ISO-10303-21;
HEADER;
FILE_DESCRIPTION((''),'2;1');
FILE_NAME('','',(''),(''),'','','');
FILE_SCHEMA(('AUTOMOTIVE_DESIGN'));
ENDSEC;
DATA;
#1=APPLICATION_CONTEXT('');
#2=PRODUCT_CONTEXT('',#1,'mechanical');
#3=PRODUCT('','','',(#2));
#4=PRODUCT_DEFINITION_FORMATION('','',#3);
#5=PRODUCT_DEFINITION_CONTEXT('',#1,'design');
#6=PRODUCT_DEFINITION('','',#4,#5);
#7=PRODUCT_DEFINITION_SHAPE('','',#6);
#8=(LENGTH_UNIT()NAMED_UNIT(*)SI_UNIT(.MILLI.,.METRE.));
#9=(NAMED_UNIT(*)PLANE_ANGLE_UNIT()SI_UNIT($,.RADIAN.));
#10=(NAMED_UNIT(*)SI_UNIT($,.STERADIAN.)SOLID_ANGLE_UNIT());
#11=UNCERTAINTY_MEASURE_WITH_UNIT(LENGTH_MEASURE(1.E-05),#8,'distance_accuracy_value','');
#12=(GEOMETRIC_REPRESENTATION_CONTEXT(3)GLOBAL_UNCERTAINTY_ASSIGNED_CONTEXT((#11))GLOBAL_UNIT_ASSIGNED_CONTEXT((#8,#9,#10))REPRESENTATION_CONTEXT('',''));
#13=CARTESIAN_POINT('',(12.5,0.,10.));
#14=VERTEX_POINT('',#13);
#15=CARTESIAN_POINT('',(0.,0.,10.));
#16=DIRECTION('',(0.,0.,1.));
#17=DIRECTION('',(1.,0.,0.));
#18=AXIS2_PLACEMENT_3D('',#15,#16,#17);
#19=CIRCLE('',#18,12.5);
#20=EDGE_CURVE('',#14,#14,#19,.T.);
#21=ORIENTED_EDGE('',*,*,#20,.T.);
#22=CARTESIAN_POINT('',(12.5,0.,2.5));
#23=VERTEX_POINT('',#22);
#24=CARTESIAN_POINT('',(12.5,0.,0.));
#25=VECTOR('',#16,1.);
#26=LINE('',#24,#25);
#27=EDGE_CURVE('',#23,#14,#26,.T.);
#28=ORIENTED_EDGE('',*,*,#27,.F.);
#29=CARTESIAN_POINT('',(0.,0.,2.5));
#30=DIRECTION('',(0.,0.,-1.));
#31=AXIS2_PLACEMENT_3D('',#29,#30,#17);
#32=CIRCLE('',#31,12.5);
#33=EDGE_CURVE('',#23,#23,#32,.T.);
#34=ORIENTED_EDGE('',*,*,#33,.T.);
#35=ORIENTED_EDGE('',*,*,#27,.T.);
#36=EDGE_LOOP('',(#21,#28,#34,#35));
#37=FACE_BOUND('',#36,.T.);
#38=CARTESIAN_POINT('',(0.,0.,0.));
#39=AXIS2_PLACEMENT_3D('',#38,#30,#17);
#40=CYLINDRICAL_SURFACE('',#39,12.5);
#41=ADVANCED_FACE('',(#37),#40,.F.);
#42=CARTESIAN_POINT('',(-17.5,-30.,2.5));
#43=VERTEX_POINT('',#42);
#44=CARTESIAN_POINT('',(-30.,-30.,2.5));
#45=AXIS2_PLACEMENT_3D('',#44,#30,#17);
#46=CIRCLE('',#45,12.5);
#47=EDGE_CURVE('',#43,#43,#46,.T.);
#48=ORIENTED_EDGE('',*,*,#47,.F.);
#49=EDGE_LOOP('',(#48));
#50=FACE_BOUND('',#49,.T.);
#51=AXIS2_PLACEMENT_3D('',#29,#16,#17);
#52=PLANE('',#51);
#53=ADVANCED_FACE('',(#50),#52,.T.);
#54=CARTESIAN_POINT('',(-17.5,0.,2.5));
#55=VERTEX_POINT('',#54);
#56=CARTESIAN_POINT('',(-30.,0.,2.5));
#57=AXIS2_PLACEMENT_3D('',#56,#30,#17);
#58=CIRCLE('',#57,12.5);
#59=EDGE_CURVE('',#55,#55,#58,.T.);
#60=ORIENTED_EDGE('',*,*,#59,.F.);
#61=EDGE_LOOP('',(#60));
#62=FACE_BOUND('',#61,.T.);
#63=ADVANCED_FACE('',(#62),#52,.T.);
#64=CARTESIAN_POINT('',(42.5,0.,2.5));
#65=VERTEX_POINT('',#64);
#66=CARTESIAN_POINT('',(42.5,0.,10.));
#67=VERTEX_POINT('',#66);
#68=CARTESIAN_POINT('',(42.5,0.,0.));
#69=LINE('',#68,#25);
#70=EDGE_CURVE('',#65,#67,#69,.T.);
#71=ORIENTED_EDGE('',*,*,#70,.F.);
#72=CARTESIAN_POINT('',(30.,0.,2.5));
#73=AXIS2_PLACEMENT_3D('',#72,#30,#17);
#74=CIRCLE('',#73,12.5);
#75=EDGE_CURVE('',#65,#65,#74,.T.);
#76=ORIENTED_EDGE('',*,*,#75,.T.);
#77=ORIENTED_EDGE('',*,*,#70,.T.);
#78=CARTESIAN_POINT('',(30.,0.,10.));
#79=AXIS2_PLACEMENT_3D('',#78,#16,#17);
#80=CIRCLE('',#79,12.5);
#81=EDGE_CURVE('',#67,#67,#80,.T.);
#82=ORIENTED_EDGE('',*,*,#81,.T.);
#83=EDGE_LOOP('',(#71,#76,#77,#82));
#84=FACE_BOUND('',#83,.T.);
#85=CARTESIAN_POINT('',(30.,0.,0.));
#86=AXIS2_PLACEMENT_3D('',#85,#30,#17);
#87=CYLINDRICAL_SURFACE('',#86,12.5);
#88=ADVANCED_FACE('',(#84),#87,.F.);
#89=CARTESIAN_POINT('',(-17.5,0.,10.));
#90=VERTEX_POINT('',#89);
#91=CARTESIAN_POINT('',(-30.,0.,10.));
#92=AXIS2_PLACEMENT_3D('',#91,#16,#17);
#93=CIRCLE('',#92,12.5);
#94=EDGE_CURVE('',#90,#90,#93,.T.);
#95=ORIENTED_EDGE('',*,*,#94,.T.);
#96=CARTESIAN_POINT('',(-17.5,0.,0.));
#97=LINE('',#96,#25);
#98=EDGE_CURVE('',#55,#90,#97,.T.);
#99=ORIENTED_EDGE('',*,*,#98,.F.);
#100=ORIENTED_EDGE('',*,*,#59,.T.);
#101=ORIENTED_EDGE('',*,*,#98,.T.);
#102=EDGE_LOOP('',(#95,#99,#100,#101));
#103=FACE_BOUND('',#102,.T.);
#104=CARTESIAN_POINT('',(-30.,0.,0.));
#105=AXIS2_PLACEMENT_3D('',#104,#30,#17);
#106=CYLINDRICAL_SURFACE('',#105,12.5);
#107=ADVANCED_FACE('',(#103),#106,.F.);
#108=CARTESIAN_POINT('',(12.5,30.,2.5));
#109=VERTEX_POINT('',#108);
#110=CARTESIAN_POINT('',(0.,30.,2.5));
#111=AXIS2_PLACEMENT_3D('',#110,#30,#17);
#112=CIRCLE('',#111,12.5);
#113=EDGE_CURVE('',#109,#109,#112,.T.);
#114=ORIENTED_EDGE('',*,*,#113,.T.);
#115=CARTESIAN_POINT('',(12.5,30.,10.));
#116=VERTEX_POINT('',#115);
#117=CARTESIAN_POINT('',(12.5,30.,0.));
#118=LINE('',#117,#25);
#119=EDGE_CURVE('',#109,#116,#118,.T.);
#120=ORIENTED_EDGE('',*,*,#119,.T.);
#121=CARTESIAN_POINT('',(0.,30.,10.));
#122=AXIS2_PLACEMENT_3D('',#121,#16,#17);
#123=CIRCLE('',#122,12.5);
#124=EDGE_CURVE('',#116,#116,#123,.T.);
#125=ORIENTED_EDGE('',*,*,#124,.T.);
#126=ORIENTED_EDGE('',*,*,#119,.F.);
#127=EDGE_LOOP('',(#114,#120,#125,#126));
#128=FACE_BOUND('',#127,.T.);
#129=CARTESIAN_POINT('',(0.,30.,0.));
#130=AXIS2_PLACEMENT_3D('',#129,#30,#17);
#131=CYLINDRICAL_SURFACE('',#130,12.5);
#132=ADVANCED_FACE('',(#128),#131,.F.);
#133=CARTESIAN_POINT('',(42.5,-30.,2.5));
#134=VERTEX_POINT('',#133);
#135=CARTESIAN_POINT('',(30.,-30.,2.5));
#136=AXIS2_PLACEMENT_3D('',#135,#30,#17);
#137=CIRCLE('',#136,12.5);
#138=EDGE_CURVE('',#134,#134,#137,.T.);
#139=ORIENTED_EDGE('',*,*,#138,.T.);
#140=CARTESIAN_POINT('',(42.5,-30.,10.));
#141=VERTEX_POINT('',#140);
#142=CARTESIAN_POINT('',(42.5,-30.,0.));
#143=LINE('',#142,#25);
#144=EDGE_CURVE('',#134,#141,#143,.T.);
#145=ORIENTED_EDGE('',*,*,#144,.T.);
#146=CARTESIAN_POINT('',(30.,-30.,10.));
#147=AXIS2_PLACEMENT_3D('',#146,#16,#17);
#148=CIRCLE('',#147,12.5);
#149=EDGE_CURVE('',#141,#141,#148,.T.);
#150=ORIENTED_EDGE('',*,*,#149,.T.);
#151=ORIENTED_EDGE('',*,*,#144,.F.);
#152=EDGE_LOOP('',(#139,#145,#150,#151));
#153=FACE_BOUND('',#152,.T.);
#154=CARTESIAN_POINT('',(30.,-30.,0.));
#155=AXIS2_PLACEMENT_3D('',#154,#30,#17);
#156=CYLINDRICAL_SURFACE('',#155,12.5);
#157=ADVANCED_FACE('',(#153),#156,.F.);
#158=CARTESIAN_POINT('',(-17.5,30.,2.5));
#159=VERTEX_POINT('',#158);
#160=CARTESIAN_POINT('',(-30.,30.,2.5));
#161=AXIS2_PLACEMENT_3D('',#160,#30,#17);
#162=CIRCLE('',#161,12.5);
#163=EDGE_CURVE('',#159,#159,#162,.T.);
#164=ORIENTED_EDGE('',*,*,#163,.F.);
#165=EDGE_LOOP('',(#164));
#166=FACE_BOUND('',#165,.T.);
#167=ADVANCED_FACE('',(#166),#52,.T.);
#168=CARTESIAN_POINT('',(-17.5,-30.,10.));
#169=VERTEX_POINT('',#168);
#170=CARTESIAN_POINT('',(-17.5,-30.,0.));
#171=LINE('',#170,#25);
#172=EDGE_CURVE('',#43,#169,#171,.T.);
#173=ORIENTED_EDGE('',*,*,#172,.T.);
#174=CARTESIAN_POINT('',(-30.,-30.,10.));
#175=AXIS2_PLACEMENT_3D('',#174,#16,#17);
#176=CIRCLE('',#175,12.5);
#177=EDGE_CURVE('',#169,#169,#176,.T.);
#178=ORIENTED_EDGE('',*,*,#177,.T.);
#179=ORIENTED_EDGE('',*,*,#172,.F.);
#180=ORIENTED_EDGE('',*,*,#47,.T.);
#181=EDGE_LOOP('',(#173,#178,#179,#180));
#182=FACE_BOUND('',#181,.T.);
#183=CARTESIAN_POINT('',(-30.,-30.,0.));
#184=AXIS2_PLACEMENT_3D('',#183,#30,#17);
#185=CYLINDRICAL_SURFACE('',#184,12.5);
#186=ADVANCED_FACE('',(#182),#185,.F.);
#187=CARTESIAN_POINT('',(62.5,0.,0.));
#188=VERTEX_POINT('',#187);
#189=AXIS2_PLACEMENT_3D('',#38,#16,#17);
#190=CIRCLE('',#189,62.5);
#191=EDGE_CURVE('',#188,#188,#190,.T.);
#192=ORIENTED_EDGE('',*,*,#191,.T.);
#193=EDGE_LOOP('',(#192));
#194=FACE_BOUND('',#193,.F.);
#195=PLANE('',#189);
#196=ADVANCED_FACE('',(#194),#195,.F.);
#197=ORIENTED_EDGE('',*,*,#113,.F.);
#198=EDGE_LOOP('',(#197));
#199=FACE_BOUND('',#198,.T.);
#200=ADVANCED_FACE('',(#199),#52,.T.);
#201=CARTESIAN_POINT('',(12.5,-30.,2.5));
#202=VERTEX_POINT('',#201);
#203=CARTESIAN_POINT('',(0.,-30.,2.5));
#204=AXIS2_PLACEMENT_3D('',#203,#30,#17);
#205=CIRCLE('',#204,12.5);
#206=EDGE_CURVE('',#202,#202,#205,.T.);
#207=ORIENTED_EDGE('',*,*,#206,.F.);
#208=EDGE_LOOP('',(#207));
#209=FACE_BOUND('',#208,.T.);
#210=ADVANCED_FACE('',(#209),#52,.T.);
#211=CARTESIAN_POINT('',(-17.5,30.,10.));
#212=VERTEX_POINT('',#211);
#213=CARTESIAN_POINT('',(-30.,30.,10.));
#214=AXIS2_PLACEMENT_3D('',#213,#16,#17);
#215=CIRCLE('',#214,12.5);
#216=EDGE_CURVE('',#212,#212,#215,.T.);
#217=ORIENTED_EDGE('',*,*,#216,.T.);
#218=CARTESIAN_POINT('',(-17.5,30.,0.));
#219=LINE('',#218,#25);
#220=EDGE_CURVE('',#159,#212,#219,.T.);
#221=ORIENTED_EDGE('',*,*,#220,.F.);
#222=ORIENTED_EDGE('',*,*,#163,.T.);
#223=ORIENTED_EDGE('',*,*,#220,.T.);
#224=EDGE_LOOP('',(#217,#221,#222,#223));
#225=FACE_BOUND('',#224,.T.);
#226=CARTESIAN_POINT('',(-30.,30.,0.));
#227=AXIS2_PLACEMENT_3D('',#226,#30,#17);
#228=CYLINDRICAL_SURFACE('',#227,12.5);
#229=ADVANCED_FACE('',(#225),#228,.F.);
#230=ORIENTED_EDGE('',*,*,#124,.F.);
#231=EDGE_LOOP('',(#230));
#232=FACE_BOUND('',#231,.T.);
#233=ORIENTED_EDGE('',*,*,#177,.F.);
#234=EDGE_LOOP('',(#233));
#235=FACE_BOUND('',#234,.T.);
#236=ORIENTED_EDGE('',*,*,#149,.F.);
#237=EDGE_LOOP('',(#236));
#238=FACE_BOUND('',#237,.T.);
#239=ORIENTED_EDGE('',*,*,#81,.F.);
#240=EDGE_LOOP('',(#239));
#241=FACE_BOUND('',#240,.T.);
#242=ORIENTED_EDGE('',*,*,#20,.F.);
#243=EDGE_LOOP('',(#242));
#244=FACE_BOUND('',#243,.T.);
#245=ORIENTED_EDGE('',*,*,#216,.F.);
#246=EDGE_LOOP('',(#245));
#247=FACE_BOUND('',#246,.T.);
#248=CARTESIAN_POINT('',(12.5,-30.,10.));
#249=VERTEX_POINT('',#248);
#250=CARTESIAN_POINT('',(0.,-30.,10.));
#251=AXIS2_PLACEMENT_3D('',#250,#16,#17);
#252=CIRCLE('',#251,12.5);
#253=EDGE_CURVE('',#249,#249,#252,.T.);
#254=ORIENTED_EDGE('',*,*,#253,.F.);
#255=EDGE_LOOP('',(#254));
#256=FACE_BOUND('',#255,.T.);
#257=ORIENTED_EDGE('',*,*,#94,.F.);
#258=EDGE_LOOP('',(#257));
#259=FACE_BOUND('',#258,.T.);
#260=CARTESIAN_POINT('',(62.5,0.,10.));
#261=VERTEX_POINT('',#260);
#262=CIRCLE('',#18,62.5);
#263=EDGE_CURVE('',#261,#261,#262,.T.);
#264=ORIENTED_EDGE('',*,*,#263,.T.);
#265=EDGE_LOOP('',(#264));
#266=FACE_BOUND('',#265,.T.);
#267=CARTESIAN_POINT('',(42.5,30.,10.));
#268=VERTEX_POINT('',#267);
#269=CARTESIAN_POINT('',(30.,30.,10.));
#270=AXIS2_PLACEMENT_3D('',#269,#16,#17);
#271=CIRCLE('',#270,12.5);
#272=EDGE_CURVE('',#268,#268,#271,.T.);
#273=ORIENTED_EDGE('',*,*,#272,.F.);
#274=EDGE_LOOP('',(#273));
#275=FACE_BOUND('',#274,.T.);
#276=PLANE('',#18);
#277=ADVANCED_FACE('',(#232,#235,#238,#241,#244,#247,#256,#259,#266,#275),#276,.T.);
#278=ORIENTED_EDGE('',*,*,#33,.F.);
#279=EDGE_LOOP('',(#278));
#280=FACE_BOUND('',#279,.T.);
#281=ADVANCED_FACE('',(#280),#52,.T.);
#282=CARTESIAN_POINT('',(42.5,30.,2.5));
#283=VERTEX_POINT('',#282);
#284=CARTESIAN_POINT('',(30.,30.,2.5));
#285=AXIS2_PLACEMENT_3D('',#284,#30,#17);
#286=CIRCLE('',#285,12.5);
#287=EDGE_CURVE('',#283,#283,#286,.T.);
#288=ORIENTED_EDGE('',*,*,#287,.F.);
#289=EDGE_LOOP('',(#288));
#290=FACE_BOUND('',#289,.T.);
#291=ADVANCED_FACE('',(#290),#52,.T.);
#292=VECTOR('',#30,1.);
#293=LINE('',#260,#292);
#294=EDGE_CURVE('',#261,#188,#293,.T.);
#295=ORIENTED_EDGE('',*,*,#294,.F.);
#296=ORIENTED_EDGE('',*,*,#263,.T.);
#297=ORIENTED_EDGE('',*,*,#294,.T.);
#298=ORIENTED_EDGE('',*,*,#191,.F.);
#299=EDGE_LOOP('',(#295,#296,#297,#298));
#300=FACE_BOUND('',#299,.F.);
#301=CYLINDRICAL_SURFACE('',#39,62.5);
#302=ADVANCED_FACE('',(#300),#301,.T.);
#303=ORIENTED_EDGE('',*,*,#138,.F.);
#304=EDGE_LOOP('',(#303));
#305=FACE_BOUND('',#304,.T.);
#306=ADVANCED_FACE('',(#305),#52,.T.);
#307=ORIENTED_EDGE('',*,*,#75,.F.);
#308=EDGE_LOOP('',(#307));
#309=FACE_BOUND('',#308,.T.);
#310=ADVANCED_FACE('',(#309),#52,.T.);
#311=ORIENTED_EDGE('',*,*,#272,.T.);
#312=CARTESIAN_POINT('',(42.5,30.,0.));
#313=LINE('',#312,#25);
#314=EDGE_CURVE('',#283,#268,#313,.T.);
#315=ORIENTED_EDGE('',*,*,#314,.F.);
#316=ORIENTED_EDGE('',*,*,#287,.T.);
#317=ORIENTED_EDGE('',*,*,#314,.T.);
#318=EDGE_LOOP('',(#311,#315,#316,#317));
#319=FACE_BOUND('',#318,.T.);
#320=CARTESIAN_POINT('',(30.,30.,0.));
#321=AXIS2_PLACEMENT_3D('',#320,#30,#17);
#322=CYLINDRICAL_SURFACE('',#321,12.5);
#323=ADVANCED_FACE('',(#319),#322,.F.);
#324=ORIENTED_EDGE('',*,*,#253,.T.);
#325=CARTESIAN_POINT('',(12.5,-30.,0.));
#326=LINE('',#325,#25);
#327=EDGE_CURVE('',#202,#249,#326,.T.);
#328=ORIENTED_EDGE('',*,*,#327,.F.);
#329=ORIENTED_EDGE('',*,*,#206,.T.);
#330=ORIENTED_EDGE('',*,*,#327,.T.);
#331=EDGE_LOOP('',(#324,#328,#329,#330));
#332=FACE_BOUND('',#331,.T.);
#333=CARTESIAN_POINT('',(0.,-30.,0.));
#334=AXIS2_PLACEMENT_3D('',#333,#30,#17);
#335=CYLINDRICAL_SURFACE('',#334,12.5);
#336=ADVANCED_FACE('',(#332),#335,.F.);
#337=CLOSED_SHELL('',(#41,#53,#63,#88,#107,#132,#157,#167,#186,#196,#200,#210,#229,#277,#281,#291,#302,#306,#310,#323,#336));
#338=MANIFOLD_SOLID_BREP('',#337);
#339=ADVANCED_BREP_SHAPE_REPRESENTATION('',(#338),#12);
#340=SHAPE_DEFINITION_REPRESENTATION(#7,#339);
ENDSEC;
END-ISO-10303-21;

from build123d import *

# Parameters (mm, degrees)
F0_R     = 62.5
F0_R_2   = 12.5
F1_DEPTH = 10
F2_R     = 62.5
F3_DEPTH = 2.5


with BuildPart() as f1:
    # F0 (on Top) → F1 (new body)
    with BuildSketch(Plane.XY):
        Circle(F0_R)
        with Locations((-30, -30)):
            Circle(F0_R_2, mode=Mode.SUBTRACT)
        with Locations((0, -30)):
            Circle(F0_R_2, mode=Mode.SUBTRACT)
        with Locations((30, -30)):
            Circle(F0_R_2, mode=Mode.SUBTRACT)
        with Locations((-30, 0)):
            Circle(F0_R_2, mode=Mode.SUBTRACT)
        with Locations((-30, 30)):
            Circle(F0_R_2, mode=Mode.SUBTRACT)
        Circle(F0_R_2, mode=Mode.SUBTRACT)
        with Locations((30, 0)):
            Circle(F0_R_2, mode=Mode.SUBTRACT)
        with Locations((0, 30)):
            Circle(F0_R_2, mode=Mode.SUBTRACT)
        with Locations((30, 30)):
            Circle(F0_R_2, mode=Mode.SUBTRACT)
    extrude(amount=F1_DEPTH)

    # F2 (on Top) → F3 (join)
    with BuildSketch(Plane.XY):
        Circle(F2_R)
    extrude(amount=F3_DEPTH)


solid = f1.part
